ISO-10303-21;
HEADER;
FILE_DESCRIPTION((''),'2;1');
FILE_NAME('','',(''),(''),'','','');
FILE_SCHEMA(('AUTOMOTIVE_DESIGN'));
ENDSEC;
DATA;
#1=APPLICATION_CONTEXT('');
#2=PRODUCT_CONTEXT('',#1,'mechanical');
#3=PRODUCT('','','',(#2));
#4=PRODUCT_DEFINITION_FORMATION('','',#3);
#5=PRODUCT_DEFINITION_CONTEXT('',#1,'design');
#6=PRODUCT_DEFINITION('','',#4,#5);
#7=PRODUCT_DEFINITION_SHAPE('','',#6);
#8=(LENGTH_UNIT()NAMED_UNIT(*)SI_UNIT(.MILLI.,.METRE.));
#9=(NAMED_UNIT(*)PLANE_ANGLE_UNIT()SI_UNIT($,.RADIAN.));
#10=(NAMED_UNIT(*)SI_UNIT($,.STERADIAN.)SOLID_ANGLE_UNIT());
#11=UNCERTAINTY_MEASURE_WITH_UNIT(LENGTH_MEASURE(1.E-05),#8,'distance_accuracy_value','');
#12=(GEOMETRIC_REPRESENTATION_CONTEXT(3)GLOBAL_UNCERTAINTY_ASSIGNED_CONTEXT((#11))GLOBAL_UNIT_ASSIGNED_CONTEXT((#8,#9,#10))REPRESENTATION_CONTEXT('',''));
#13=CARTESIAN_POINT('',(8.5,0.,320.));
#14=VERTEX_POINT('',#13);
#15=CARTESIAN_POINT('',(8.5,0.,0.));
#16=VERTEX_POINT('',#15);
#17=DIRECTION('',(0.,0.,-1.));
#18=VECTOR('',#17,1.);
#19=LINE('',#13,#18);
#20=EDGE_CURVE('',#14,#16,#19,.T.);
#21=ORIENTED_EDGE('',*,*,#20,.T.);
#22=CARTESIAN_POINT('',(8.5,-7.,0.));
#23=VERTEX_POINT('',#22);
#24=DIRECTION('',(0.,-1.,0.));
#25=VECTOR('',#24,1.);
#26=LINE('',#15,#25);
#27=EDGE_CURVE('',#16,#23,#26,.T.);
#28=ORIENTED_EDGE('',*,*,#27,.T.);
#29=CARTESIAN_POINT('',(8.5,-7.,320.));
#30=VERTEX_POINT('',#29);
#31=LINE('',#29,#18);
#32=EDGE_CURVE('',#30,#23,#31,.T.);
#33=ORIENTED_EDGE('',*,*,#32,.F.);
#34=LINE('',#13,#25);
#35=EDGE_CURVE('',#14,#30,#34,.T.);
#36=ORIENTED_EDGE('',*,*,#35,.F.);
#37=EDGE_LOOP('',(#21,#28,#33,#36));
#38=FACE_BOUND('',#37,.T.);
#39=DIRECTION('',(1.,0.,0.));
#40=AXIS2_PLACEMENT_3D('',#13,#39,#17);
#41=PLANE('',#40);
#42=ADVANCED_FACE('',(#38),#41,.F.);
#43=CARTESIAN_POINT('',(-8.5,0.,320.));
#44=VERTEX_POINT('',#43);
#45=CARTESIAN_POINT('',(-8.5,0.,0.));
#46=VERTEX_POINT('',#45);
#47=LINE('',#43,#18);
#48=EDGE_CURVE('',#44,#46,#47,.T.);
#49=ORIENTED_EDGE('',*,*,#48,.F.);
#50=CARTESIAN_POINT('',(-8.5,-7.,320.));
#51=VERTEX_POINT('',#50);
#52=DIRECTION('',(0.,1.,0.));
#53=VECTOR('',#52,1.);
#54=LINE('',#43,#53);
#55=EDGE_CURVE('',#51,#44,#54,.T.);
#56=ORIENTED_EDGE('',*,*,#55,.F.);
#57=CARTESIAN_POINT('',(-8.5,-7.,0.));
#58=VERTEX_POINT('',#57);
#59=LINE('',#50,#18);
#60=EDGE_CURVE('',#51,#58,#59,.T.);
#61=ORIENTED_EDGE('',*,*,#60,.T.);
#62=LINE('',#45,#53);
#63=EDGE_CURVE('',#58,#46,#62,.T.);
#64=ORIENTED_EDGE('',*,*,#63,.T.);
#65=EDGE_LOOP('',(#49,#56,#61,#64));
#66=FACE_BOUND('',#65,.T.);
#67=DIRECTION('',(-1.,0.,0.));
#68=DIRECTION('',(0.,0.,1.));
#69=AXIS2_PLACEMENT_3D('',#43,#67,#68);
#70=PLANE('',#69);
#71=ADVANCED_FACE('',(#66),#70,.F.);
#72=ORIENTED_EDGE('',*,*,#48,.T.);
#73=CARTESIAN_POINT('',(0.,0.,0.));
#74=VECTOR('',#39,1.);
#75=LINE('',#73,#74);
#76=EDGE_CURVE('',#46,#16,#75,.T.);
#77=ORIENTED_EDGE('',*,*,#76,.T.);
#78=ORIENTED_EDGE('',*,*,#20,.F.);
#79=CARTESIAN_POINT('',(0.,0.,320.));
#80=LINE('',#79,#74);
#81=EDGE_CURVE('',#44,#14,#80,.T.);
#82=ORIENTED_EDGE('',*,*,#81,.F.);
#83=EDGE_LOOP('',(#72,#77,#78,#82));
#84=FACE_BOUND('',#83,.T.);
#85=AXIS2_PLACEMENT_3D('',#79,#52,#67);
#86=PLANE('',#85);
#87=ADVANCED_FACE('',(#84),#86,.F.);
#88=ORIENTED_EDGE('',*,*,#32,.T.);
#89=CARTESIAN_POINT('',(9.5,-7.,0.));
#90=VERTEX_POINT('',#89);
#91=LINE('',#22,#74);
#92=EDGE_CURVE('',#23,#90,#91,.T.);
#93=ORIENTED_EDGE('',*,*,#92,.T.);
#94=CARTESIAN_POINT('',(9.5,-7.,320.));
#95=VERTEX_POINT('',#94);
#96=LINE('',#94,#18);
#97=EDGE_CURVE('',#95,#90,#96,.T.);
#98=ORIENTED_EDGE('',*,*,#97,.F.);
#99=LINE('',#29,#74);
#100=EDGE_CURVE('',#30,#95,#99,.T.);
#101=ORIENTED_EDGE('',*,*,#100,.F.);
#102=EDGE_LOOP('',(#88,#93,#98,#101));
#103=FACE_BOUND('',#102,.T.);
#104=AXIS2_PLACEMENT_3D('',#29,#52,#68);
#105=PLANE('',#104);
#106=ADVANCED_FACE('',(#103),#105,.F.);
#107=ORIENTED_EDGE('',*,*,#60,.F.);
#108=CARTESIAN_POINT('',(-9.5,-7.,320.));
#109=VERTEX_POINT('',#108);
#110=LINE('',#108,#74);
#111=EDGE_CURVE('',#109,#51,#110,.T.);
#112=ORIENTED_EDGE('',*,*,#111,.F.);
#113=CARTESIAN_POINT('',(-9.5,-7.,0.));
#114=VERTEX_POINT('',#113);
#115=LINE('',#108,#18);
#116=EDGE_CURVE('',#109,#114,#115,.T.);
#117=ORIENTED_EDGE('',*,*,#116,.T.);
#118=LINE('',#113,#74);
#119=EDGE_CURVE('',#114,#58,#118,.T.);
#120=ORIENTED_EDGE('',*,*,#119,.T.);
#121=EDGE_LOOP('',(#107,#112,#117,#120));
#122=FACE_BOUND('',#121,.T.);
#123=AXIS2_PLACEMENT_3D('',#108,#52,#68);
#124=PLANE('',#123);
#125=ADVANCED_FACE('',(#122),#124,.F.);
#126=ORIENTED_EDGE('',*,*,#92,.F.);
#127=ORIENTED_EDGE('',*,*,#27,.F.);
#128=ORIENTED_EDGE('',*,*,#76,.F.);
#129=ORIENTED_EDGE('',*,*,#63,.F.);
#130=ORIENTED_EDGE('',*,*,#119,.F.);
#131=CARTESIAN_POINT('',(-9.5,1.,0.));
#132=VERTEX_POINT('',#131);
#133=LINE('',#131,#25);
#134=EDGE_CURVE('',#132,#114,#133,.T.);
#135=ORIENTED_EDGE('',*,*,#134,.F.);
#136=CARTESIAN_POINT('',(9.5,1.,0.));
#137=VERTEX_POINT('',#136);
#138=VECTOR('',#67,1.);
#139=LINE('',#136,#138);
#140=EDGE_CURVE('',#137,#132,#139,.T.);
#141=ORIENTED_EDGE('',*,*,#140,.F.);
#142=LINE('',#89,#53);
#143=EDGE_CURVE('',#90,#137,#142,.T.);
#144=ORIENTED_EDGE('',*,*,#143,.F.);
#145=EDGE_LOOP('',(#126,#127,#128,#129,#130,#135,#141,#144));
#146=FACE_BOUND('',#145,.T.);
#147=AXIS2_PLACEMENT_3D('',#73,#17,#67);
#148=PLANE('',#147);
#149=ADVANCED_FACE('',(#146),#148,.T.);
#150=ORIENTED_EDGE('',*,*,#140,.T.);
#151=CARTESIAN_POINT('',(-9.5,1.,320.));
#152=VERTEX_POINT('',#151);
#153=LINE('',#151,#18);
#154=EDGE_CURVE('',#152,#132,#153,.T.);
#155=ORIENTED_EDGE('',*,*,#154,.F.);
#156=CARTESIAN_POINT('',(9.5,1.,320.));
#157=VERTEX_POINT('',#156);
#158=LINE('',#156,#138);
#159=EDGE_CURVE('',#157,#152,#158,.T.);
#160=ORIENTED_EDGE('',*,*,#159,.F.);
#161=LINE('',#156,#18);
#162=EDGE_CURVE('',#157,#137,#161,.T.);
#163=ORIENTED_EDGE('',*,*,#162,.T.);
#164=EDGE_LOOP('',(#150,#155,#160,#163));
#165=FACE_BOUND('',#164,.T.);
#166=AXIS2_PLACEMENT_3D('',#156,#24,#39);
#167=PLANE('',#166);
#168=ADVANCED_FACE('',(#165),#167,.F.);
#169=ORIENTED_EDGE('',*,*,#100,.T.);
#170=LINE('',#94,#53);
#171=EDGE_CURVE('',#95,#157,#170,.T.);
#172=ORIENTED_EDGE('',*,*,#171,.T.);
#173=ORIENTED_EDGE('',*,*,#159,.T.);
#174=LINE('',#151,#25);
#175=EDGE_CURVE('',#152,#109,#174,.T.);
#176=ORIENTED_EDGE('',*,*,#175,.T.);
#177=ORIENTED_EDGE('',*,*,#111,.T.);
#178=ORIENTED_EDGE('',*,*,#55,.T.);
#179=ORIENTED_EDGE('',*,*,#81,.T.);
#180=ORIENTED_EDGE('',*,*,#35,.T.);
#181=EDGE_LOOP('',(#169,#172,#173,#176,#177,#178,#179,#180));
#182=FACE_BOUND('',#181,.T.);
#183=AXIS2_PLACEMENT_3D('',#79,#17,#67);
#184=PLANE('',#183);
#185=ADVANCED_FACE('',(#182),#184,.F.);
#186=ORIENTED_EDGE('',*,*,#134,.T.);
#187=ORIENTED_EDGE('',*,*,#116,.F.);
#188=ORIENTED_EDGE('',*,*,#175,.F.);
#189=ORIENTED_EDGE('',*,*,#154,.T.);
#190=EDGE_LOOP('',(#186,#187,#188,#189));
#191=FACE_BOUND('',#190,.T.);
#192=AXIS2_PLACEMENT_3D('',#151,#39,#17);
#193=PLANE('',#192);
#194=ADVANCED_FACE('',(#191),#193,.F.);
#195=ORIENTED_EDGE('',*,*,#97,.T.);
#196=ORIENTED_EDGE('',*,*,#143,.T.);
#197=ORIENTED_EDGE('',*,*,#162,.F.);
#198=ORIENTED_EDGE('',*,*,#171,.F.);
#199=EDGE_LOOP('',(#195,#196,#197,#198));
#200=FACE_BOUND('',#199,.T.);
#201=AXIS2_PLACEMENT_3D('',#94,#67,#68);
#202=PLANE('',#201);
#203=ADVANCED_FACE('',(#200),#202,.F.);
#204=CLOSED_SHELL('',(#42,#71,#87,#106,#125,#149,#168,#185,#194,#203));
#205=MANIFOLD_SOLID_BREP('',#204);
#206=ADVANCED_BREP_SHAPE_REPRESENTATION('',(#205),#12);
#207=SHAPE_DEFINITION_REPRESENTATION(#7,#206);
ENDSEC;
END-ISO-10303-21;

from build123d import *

# Parameters (mm, degrees)
BOSS_EXTRUDE1_DEPTH = 320


with BuildPart() as part:
    # Sketch1 → Boss-Extrude1 (new body)
    with BuildSketch(Plane.XY):
        Polygon((0, 0), (-8.5, 0), (-8.5, -7), (-9.5, -7), (-9.5, 1), (9.5, 1), (9.5, -7), (8.5, -7), (8.5, 0), align=None)
    extrude(amount=BOSS_EXTRUDE1_DEPTH)


solid = part.part
